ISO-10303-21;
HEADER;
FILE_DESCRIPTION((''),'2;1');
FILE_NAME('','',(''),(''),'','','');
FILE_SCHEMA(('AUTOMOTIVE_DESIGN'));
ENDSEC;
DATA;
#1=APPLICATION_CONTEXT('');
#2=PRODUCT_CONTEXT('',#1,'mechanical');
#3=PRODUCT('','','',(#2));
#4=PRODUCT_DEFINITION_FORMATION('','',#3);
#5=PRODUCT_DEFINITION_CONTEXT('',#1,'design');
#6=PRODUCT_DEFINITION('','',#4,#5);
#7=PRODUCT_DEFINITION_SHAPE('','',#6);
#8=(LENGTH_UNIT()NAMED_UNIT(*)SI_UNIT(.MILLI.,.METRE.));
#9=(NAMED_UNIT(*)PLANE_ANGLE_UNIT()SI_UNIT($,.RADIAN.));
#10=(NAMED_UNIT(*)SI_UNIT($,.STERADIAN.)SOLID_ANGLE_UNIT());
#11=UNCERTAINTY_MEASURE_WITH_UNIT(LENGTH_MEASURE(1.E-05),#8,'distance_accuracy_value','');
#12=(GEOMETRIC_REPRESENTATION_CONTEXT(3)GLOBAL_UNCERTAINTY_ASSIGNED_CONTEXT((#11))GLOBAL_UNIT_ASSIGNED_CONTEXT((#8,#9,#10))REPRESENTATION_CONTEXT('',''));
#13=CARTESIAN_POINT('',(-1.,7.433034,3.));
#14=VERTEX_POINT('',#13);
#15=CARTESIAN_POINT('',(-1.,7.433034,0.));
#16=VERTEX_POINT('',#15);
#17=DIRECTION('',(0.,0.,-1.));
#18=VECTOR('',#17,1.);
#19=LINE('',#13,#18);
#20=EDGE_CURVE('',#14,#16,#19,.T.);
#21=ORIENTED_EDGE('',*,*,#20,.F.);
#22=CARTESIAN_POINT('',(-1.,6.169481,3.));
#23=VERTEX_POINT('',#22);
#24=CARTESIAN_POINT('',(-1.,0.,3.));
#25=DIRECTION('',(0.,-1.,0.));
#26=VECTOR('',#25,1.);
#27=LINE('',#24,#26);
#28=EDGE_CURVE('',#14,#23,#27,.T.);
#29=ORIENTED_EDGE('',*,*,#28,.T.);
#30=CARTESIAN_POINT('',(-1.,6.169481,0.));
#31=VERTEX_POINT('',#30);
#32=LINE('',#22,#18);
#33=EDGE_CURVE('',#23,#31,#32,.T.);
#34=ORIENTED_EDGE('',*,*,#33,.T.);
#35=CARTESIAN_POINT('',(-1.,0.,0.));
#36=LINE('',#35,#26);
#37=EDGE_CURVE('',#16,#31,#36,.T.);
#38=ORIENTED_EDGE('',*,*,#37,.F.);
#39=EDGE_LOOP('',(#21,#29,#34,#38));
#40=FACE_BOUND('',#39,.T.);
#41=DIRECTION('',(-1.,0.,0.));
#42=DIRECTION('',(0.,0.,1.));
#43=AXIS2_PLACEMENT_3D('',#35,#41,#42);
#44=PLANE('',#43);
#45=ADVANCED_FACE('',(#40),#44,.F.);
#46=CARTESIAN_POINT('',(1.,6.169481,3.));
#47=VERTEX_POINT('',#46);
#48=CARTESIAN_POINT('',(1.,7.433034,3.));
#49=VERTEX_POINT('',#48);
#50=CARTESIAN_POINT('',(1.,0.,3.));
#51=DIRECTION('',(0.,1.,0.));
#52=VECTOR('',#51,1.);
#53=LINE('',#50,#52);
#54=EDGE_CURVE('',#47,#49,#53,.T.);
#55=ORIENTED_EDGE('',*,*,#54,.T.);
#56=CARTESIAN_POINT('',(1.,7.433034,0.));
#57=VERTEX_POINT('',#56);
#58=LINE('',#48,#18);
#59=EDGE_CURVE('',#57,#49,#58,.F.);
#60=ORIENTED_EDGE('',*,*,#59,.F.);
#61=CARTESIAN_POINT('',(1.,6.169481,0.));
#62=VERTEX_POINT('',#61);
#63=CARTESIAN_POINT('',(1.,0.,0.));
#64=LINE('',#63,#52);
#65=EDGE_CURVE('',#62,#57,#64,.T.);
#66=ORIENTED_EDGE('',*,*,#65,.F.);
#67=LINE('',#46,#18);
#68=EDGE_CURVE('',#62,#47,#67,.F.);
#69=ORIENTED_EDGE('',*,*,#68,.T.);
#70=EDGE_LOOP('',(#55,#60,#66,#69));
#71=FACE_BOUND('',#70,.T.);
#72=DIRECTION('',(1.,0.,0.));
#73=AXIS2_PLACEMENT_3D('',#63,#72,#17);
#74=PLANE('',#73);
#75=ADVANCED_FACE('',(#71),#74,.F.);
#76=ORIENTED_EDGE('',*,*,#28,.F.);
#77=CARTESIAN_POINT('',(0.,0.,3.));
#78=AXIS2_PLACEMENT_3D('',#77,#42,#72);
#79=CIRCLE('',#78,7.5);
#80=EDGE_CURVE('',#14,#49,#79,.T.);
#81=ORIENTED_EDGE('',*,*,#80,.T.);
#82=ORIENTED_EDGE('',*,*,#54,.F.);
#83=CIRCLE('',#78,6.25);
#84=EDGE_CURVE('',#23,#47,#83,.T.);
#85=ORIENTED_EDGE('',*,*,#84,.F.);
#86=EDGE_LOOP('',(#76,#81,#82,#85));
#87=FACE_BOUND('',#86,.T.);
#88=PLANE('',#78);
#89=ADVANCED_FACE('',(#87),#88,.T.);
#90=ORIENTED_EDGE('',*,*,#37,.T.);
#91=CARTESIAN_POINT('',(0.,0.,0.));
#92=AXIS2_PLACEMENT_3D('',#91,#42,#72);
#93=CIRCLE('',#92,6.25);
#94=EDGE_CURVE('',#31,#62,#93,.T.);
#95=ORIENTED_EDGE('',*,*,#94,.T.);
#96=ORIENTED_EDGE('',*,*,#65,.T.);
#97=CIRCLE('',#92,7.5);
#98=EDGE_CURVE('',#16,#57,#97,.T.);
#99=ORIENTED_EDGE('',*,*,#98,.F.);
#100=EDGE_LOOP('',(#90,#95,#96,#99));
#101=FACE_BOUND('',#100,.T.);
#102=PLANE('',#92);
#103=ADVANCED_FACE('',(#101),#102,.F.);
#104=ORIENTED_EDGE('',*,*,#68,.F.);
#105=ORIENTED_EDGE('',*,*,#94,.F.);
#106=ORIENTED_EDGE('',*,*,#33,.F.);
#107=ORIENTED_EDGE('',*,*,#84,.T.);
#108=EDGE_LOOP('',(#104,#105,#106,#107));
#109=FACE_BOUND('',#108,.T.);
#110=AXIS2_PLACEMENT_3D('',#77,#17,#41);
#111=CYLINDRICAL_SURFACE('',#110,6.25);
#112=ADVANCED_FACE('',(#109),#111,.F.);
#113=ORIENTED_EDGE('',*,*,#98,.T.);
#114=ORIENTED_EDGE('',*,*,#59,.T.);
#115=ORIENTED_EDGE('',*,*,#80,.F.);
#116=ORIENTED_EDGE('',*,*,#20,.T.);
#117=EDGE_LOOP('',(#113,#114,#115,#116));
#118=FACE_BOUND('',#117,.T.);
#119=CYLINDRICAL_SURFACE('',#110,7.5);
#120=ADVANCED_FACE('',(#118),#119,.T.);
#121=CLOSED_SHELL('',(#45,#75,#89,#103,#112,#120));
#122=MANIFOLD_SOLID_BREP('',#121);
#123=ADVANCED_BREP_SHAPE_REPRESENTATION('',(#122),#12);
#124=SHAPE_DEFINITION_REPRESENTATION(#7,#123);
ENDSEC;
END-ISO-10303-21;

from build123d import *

# Parameters (mm, degrees)
SKETCH_1_R          = 7.5
SKETCH_1_R_2        = 6.25
EXTRUDE_1_DEPTH     = 3
SKETCH_2_W          = 2
SKETCH_2_H          = 7.5
CUT_EXTRUDE_1_DEPTH = 12.022703843


with BuildPart() as part:
    # 草图1 → 凸台-拉伸1 (new body)
    with BuildSketch(Plane.XY):
        Circle(SKETCH_1_R)
        Circle(SKETCH_1_R_2, mode=Mode.SUBTRACT)
    extrude(amount=EXTRUDE_1_DEPTH)

    # 草图2 → 切除-拉伸1 (cut, through all)
    with BuildSketch(Plane.XY.offset(3)):
        with Locations((0, 3.75)):
            Rectangle(SKETCH_2_W, SKETCH_2_H)
    extrude(amount=-CUT_EXTRUDE_1_DEPTH, mode=Mode.SUBTRACT)


solid = part.part
